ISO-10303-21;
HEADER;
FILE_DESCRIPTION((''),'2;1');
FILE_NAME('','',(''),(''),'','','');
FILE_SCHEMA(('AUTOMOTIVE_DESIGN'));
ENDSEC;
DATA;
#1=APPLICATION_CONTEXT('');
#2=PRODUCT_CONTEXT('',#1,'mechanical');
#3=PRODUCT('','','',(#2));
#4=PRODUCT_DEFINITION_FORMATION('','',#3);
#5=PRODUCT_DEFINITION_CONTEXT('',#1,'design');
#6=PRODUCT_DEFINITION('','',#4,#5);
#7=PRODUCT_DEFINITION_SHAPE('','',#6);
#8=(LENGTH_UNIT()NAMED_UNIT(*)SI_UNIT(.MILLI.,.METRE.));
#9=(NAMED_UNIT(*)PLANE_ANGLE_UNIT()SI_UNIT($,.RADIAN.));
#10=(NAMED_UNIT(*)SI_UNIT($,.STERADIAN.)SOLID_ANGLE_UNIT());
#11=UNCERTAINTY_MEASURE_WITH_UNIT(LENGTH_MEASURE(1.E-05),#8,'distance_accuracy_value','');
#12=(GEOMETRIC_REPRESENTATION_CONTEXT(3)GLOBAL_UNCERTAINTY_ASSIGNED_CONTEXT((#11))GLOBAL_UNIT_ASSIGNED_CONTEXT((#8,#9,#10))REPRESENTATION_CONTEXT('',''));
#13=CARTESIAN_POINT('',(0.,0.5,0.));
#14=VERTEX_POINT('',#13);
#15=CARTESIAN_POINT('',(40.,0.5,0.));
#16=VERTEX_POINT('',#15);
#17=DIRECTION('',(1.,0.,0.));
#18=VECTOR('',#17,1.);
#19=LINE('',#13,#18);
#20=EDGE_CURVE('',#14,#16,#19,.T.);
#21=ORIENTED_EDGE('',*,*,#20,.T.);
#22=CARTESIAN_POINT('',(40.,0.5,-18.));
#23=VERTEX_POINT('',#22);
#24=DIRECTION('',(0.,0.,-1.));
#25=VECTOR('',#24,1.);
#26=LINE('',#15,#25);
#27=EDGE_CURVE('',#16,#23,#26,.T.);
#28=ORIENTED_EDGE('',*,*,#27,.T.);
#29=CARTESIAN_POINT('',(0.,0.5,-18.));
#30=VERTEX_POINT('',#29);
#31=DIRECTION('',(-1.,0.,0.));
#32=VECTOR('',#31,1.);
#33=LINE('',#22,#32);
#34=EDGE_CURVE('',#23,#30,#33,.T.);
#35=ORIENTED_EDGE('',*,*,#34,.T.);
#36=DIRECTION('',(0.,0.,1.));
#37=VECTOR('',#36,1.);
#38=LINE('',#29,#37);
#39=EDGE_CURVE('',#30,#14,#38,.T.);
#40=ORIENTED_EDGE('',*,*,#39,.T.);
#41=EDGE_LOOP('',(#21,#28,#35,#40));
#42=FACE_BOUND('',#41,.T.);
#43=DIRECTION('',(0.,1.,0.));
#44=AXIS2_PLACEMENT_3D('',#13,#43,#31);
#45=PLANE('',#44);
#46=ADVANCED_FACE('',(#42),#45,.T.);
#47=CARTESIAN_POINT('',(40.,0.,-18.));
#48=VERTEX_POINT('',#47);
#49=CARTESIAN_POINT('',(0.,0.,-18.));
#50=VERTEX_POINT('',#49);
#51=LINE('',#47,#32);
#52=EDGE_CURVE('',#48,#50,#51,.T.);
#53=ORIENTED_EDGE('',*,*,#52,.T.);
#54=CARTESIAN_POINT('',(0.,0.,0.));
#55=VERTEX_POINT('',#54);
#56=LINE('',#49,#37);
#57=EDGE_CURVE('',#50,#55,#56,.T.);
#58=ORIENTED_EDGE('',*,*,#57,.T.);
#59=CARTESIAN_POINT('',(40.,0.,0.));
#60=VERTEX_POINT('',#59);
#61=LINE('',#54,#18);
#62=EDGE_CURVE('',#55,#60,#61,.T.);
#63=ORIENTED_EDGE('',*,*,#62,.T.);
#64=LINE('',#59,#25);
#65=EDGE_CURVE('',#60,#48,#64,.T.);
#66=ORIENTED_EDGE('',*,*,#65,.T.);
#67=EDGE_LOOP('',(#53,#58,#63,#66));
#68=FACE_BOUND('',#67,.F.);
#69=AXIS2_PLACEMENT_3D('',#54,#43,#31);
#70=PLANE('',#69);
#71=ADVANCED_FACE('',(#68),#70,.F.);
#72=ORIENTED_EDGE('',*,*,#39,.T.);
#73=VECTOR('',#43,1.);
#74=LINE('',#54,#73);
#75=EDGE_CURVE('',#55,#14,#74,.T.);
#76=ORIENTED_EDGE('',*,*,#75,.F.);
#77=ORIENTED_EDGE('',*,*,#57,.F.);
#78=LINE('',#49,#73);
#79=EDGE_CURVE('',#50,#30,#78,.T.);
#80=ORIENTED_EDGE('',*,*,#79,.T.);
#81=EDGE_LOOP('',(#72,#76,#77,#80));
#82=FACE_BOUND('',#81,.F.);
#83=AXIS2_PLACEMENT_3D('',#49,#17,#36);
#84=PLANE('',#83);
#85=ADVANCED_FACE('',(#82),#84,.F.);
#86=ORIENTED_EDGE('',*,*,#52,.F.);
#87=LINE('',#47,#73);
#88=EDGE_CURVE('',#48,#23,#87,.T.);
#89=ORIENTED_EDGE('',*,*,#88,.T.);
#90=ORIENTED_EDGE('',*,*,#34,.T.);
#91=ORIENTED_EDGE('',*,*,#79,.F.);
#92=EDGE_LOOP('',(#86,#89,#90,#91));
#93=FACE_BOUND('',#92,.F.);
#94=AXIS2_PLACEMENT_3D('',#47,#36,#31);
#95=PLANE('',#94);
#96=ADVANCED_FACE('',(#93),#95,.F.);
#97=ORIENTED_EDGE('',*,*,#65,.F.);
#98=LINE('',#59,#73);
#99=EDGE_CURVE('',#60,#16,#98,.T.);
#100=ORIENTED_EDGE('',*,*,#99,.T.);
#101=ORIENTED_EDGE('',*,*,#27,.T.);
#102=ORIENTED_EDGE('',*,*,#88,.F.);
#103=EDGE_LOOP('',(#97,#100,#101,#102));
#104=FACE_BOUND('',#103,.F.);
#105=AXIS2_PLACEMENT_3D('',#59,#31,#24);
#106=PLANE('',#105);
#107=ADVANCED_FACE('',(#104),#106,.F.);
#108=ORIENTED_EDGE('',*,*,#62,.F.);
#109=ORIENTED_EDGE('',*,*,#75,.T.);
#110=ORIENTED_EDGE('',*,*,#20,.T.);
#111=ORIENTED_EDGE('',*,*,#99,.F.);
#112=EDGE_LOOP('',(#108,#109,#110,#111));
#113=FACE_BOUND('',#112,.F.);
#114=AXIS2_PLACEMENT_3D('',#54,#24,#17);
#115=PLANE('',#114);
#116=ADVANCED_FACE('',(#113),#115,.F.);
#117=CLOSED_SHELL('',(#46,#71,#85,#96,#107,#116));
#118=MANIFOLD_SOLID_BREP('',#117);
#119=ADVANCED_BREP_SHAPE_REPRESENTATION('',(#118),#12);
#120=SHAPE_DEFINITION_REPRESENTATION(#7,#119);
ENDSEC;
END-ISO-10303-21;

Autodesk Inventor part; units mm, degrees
ref_plane "YZ Plane" through (0, 0, 0) normal (1, 0, 0) x (0, 1, 0)
ref_plane "XZ Plane" through (0, 0, 0) normal (0, 1, 0) x (-1, 0, 0)
ref_plane "XY Plane" through (0, 0, 0) normal (0, 0, 1) x (1, 0, 0)
sketch "スケッチ1" plane through (0, 0, 0) normal (0, 1, 0) x (-1, 0, 0)
  line L0 (0, 0) -> (-40, 0)
  line L1 (-40, 0) -> (-40, -18)
  line L2 (-40, -18) -> (0, -18)
  line L3 (0, -18) -> (0, 0)
  dimension "d2" = 40
  dimension "d3" = 18
extrude "押し出し1" add sketch "スケッチ1" along normal blind 0.5
properties part number "導電性布" material "チタン"
